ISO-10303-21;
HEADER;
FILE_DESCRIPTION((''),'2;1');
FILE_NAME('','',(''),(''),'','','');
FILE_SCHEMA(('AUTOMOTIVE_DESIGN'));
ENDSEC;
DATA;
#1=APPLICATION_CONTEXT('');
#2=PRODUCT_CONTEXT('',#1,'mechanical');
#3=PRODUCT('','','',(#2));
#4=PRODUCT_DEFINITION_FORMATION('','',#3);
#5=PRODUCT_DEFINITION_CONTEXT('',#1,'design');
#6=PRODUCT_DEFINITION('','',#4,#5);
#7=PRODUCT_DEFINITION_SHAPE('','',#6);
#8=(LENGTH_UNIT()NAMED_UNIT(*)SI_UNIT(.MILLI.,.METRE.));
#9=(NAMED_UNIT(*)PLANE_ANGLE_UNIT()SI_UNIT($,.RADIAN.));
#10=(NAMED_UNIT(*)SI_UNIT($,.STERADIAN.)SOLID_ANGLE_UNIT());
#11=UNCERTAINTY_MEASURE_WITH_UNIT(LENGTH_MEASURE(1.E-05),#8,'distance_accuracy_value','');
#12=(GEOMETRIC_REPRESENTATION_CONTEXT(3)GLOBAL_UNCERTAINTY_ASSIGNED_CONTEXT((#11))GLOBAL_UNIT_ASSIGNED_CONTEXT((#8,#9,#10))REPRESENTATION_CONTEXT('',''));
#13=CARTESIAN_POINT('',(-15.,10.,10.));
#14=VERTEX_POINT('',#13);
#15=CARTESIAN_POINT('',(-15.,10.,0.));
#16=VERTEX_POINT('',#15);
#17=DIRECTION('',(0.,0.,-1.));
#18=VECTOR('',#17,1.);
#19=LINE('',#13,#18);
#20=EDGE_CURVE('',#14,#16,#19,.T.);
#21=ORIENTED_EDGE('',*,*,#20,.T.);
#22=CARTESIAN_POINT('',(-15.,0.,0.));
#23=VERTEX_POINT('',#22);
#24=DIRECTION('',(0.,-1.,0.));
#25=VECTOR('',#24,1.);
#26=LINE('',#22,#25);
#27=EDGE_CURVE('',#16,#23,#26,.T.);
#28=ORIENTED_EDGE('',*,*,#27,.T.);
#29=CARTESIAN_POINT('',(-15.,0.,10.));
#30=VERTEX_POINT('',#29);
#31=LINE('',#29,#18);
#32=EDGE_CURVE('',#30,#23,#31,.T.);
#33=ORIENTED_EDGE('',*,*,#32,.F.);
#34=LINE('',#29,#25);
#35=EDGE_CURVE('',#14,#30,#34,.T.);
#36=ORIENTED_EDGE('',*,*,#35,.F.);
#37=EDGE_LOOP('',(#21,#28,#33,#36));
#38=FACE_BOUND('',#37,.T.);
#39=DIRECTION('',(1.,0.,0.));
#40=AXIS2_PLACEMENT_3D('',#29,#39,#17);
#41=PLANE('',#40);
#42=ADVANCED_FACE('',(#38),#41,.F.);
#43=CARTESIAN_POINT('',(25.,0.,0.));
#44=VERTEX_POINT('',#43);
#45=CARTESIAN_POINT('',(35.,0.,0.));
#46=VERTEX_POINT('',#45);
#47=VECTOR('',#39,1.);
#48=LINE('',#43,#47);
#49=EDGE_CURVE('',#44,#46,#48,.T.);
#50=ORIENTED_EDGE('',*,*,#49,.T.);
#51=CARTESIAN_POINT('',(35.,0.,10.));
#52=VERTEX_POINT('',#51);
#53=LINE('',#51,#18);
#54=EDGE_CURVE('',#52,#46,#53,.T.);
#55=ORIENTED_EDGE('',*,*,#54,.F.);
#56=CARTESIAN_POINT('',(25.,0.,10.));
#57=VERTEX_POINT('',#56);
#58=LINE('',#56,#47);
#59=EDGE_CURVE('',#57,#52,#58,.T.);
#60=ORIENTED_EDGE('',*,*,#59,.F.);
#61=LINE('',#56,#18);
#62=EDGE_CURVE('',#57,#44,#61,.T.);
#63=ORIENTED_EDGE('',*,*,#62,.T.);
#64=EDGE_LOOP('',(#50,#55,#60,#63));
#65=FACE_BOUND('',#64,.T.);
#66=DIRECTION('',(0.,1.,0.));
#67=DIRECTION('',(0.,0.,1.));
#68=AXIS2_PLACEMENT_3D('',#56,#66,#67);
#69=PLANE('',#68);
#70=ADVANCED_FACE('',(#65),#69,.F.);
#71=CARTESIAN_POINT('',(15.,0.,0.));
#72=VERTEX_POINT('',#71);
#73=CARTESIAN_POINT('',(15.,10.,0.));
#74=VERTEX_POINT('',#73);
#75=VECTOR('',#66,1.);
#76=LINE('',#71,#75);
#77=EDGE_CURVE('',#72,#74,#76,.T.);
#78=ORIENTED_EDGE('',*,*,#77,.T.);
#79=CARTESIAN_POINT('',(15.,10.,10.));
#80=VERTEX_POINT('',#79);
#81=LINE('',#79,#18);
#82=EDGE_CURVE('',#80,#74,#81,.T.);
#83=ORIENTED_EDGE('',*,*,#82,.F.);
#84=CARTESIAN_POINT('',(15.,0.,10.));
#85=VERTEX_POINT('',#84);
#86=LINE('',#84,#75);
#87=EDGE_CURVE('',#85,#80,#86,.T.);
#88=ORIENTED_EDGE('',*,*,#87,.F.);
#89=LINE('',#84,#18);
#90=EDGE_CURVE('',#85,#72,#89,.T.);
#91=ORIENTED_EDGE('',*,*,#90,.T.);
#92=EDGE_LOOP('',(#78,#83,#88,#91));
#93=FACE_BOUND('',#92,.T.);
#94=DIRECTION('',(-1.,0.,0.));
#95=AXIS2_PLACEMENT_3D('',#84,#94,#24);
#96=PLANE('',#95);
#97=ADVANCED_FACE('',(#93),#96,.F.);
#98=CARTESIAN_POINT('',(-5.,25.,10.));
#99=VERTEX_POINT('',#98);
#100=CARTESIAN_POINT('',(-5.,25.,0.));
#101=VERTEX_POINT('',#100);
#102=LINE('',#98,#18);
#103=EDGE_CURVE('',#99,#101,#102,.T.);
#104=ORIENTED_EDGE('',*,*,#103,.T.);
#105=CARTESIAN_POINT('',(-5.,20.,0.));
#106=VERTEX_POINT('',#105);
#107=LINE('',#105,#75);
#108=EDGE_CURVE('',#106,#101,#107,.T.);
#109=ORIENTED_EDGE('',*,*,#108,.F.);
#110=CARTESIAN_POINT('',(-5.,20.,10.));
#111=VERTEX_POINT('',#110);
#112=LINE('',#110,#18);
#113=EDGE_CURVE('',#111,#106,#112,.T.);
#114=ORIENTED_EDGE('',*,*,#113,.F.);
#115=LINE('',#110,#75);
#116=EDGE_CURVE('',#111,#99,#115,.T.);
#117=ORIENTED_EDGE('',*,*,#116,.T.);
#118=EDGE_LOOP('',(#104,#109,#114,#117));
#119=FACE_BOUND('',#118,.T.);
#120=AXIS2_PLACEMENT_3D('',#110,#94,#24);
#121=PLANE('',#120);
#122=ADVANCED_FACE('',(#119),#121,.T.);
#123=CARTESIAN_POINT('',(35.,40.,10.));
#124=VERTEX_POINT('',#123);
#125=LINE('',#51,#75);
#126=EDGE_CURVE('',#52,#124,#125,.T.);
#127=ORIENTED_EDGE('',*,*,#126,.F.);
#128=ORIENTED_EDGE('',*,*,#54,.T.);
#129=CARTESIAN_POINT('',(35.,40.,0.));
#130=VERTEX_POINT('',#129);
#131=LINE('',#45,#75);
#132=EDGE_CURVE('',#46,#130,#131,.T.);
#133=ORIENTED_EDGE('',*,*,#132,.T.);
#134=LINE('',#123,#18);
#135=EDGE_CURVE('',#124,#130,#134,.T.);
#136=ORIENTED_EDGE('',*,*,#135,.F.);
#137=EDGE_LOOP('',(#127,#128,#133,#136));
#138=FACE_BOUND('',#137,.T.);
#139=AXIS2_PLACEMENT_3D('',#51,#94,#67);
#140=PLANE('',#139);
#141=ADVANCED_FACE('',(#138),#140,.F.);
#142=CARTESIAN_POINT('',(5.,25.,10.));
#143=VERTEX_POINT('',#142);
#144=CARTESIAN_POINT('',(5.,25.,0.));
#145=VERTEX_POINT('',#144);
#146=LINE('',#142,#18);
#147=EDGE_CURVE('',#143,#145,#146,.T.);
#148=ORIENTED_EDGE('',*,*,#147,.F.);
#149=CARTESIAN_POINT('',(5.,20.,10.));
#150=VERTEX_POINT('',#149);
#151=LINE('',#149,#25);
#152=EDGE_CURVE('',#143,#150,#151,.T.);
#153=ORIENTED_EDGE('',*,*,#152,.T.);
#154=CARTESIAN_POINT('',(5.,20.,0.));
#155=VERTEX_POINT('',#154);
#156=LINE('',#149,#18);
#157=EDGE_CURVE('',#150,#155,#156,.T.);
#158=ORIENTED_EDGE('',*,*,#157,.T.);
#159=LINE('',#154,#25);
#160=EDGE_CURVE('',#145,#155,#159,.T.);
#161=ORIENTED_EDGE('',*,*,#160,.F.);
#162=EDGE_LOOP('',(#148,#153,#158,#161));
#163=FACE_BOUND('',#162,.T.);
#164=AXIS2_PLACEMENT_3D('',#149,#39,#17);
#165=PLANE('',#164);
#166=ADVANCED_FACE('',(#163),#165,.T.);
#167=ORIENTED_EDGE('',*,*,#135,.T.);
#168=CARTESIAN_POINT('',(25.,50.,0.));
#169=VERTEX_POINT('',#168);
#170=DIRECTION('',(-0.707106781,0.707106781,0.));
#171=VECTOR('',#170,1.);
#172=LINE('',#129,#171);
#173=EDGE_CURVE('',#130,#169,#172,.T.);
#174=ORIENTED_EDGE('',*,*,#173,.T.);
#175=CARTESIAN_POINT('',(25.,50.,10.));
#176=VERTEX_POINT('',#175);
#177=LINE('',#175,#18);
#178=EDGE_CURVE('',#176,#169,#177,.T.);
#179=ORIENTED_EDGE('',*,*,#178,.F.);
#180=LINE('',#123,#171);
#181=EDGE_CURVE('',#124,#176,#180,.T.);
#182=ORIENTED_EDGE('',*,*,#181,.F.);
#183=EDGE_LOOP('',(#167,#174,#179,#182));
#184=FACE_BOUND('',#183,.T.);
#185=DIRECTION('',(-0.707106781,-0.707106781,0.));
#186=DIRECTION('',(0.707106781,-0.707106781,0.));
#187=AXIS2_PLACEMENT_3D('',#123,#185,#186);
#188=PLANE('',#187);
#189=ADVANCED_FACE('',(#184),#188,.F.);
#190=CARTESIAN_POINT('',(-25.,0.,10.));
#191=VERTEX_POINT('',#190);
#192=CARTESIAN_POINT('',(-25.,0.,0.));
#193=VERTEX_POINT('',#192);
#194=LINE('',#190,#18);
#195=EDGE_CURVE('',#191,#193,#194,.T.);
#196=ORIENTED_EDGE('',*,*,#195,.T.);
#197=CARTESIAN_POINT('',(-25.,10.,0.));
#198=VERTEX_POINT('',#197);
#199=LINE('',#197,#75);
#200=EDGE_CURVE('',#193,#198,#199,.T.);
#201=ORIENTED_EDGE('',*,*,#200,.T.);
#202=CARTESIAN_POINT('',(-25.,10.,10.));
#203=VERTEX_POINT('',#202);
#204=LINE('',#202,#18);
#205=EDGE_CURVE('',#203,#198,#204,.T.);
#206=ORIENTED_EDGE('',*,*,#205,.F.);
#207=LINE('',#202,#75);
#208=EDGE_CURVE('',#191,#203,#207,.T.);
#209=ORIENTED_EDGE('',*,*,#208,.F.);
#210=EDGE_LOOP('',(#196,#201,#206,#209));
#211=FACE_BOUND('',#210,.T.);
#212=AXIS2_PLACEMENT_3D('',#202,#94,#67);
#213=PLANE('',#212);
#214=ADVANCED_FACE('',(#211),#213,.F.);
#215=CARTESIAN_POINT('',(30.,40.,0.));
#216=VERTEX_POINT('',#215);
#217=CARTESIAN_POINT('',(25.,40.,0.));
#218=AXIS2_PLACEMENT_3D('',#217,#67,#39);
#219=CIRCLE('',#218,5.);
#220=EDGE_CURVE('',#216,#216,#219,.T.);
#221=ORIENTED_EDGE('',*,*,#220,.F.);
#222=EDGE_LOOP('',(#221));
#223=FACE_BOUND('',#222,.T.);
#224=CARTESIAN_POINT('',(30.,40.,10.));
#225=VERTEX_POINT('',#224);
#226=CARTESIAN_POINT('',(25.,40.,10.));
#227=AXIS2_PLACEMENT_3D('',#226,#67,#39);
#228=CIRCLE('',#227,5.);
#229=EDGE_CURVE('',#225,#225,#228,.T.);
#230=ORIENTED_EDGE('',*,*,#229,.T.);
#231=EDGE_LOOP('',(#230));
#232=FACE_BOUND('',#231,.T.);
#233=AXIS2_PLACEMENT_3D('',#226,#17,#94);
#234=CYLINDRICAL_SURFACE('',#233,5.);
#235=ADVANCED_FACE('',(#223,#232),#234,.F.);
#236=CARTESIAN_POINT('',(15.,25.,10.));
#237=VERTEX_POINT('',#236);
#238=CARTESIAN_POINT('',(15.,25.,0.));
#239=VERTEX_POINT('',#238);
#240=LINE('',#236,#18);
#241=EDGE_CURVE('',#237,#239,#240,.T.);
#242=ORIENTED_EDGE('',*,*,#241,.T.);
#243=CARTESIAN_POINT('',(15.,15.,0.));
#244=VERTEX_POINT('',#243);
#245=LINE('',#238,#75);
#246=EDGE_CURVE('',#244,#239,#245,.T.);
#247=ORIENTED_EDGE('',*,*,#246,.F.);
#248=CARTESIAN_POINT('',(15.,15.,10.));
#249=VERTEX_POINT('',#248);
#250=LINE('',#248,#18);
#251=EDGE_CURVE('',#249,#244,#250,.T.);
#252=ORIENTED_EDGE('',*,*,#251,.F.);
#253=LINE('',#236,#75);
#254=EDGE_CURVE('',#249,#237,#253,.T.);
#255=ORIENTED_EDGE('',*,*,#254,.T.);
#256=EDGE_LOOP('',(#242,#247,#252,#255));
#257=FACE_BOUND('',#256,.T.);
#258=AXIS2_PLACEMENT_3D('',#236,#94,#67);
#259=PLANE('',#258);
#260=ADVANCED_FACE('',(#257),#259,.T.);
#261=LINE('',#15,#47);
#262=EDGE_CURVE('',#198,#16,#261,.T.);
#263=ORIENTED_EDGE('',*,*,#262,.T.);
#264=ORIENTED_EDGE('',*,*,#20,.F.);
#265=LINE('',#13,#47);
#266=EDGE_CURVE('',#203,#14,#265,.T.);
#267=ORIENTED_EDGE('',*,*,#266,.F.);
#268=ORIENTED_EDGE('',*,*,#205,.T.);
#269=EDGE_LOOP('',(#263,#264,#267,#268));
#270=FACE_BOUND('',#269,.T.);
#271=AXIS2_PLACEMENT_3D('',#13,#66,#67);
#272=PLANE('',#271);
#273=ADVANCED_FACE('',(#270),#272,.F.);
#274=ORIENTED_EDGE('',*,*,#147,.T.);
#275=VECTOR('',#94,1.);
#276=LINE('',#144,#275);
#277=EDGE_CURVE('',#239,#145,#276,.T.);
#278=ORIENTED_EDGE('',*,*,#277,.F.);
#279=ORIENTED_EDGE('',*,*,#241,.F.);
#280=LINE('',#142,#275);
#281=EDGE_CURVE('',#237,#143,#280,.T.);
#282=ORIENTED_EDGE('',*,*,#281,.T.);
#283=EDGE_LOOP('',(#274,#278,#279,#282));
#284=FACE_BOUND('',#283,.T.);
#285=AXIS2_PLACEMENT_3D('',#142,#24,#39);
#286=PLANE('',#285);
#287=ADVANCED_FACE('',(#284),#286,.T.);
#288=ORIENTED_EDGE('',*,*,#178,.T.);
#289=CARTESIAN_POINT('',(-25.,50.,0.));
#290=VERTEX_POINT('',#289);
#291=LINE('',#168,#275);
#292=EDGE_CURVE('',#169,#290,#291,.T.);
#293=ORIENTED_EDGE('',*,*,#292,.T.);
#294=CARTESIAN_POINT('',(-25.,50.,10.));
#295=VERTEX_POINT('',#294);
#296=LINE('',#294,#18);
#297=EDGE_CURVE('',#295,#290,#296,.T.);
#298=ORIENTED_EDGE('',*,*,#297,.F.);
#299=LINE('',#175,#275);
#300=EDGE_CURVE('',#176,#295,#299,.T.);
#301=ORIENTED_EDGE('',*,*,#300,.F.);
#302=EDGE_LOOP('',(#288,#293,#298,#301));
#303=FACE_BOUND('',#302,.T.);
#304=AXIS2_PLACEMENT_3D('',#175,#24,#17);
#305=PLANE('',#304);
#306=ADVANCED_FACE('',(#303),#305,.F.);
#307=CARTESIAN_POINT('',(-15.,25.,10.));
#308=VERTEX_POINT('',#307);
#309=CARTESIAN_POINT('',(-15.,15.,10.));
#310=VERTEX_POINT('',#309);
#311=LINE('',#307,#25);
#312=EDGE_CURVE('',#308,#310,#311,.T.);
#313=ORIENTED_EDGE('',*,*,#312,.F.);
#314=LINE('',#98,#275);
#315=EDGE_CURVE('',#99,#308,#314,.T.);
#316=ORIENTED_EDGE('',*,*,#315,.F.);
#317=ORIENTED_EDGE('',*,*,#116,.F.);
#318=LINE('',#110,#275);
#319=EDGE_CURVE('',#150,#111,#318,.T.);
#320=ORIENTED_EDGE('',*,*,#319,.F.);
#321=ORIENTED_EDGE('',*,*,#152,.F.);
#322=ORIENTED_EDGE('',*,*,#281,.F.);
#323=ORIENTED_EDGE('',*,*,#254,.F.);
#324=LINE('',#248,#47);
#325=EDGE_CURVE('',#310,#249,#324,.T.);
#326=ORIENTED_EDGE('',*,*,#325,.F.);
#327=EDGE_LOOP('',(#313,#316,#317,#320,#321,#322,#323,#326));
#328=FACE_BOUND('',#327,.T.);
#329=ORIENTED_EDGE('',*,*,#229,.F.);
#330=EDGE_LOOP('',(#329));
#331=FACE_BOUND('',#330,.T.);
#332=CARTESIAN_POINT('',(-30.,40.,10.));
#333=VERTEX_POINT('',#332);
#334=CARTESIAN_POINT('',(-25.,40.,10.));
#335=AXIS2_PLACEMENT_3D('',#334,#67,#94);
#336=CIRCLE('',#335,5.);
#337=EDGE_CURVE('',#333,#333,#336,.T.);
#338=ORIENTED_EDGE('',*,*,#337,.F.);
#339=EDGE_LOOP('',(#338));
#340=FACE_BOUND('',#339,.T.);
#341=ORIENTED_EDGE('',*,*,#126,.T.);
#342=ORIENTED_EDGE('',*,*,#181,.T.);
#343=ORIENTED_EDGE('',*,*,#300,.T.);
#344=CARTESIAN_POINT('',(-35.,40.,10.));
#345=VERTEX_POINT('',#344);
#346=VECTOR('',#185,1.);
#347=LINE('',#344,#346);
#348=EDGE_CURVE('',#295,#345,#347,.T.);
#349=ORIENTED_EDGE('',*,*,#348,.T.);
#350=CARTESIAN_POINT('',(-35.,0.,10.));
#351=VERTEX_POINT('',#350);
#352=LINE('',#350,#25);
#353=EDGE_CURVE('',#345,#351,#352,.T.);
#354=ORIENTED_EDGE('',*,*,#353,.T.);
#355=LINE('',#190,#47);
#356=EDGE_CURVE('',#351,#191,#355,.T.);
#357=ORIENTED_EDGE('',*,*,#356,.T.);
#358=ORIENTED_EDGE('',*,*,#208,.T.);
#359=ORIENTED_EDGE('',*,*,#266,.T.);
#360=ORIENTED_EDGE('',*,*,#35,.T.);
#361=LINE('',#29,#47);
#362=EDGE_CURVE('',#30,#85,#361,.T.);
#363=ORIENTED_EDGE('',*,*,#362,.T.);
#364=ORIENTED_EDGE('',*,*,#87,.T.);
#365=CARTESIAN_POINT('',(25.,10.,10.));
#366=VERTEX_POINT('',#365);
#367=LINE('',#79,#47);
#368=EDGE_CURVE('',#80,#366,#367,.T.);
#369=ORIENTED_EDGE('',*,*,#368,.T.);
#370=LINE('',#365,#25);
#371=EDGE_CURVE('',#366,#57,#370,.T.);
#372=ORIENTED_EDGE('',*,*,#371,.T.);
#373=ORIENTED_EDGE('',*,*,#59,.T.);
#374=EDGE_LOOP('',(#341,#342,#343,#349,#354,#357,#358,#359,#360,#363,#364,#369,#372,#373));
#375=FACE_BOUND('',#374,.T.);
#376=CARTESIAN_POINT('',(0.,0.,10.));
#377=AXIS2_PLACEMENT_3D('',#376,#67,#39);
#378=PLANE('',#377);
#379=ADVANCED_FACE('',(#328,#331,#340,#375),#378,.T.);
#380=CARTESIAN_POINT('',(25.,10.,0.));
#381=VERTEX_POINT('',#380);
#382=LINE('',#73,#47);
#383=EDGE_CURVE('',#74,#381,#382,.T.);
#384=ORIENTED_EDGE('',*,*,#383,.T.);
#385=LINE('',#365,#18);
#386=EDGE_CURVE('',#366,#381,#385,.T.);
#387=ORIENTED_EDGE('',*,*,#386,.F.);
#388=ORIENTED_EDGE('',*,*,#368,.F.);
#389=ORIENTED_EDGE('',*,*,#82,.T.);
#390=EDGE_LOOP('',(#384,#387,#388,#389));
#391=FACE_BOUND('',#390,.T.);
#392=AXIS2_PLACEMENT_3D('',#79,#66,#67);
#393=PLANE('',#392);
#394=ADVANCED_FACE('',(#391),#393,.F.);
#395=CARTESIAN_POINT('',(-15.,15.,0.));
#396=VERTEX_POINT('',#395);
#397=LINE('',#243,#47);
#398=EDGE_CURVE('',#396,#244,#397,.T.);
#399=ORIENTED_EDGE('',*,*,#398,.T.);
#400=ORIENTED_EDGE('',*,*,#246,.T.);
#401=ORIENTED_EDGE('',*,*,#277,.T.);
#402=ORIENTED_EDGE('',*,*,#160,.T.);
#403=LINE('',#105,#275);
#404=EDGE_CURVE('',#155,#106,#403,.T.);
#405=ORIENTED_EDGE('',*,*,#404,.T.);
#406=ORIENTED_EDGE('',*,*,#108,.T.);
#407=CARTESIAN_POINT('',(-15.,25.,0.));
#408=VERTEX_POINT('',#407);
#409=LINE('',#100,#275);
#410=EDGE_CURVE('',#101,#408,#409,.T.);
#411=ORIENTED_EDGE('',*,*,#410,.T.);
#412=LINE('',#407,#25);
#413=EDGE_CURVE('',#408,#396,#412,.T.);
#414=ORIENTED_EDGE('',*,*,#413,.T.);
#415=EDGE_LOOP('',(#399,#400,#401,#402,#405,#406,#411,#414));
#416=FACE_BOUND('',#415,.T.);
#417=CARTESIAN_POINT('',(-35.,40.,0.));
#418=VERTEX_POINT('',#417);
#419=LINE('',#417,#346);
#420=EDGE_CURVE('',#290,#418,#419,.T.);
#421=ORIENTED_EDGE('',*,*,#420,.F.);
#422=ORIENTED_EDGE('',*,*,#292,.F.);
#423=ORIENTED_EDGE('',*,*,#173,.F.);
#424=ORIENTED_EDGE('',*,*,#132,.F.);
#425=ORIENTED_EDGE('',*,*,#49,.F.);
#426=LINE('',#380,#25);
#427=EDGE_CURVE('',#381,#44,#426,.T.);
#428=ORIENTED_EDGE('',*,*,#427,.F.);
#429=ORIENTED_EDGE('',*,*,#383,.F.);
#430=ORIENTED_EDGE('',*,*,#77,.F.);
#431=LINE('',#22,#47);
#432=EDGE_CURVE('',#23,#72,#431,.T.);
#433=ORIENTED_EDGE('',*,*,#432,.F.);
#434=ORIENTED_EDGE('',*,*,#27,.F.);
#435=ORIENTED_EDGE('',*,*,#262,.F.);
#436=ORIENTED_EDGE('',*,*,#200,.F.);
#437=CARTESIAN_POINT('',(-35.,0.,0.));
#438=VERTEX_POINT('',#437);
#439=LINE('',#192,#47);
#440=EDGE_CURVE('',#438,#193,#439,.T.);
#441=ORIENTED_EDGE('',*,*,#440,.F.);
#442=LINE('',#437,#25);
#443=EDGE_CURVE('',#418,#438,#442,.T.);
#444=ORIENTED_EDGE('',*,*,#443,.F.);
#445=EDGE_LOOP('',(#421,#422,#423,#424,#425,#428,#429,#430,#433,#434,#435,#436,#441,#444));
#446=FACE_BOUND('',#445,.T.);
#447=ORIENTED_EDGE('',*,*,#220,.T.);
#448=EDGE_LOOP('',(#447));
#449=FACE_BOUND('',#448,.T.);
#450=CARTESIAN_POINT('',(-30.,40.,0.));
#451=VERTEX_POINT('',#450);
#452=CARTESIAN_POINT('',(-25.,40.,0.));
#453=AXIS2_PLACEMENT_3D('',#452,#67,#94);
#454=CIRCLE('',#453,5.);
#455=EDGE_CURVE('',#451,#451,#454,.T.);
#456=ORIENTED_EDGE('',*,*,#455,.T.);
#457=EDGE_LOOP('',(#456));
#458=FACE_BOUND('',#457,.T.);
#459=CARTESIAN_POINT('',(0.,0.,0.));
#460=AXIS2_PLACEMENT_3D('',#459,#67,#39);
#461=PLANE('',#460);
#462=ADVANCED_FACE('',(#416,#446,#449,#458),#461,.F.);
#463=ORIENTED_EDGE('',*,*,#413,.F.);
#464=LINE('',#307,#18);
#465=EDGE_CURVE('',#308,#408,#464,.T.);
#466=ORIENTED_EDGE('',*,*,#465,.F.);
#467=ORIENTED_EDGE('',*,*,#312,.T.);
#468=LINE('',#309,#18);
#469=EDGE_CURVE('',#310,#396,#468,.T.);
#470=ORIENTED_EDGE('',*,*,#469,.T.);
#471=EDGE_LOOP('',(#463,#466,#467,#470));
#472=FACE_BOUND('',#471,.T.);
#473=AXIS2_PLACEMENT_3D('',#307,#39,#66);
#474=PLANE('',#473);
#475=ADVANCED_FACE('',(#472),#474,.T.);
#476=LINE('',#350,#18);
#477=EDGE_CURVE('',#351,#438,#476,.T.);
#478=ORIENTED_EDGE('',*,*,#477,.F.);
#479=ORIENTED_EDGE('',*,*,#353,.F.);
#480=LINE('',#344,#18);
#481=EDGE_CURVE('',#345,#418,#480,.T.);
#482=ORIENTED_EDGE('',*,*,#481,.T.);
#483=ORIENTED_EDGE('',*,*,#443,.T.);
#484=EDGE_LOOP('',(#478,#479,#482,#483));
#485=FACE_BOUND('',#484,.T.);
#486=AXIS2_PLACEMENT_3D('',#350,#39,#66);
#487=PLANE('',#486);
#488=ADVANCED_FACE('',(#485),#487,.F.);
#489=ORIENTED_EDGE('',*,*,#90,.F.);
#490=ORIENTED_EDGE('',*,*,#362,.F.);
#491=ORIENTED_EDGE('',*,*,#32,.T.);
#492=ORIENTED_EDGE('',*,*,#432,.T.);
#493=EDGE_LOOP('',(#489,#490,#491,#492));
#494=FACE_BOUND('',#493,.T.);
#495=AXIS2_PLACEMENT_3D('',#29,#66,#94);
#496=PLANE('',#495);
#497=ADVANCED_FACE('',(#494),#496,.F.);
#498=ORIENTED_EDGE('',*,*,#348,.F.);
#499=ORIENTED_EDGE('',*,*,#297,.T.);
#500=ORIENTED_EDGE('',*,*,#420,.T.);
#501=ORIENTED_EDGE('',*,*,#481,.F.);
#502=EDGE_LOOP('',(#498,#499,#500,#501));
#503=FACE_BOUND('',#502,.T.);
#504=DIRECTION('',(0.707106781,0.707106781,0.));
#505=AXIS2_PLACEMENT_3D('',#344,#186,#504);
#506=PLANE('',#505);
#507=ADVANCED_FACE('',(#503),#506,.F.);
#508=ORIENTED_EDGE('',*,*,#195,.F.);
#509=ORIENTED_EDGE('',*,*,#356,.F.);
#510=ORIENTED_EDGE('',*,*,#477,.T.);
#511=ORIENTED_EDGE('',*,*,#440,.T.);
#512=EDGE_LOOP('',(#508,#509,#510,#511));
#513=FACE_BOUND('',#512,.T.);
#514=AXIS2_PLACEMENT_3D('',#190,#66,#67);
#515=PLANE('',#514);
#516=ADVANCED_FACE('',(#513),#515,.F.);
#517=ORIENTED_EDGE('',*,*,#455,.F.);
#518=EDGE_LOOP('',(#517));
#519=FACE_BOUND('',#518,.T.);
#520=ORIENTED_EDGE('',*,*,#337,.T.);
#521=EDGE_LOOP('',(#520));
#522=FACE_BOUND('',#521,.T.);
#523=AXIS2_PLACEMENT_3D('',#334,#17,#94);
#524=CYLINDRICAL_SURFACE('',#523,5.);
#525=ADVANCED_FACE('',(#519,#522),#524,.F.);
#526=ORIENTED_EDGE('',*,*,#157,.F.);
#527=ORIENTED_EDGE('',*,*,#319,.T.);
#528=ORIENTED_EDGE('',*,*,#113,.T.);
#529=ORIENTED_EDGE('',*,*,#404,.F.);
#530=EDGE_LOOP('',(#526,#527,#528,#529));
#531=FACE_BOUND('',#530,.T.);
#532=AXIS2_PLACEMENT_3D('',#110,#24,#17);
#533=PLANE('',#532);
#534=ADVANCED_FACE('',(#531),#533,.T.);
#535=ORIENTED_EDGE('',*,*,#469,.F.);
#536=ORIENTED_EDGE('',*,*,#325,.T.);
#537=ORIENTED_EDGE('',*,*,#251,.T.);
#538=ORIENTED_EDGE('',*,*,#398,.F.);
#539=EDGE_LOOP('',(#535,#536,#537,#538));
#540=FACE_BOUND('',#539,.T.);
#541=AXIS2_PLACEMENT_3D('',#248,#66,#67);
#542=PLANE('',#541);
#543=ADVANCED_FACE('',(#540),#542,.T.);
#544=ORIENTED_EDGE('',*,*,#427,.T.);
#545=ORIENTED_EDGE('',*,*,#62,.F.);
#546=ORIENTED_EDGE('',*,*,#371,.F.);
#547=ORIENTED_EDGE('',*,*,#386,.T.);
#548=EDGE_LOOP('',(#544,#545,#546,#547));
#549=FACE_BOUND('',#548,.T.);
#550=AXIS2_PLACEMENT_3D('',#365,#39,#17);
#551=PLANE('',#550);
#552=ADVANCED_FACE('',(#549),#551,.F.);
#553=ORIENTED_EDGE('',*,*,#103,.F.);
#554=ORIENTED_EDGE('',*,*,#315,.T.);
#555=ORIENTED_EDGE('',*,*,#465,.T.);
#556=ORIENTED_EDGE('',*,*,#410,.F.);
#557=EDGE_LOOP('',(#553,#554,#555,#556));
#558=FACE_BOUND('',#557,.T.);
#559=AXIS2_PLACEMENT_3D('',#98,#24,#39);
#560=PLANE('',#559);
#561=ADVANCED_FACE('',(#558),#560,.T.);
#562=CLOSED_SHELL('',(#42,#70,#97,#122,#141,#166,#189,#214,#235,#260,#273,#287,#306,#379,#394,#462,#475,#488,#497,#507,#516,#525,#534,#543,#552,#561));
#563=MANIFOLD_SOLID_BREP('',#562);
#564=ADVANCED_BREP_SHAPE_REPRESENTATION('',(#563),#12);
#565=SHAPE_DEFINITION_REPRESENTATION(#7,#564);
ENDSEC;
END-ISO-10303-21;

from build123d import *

# Parameters (mm, degrees)
SKETCH1_R           = 5
BOSS_EXTRUDE1_DEPTH = 10


with BuildPart() as part:
    # Sketch1 → Boss-Extrude1 (new body)
    with BuildSketch(Plane.XY):
        Polygon((-15, 0), (15, 0), (15, 10), (25, 10), (25, 0), (35, 0), (35, 40), (25, 50), (-25, 50), (-35, 40), (-35, 0), (-25, 0), (-25, 10), (-15, 10), align=None)
        with Locations((25, 40)):
            Circle(SKETCH1_R, mode=Mode.SUBTRACT)
        with Locations((-25, 40)):
            Circle(SKETCH1_R, mode=Mode.SUBTRACT)
        Polygon((-5, 20), (5, 20), (5, 25), (15, 25), (15, 15), (-15, 15), (-15, 25), (-5, 25), align=None, mode=Mode.SUBTRACT)
    extrude(amount=BOSS_EXTRUDE1_DEPTH)


solid = part.part
